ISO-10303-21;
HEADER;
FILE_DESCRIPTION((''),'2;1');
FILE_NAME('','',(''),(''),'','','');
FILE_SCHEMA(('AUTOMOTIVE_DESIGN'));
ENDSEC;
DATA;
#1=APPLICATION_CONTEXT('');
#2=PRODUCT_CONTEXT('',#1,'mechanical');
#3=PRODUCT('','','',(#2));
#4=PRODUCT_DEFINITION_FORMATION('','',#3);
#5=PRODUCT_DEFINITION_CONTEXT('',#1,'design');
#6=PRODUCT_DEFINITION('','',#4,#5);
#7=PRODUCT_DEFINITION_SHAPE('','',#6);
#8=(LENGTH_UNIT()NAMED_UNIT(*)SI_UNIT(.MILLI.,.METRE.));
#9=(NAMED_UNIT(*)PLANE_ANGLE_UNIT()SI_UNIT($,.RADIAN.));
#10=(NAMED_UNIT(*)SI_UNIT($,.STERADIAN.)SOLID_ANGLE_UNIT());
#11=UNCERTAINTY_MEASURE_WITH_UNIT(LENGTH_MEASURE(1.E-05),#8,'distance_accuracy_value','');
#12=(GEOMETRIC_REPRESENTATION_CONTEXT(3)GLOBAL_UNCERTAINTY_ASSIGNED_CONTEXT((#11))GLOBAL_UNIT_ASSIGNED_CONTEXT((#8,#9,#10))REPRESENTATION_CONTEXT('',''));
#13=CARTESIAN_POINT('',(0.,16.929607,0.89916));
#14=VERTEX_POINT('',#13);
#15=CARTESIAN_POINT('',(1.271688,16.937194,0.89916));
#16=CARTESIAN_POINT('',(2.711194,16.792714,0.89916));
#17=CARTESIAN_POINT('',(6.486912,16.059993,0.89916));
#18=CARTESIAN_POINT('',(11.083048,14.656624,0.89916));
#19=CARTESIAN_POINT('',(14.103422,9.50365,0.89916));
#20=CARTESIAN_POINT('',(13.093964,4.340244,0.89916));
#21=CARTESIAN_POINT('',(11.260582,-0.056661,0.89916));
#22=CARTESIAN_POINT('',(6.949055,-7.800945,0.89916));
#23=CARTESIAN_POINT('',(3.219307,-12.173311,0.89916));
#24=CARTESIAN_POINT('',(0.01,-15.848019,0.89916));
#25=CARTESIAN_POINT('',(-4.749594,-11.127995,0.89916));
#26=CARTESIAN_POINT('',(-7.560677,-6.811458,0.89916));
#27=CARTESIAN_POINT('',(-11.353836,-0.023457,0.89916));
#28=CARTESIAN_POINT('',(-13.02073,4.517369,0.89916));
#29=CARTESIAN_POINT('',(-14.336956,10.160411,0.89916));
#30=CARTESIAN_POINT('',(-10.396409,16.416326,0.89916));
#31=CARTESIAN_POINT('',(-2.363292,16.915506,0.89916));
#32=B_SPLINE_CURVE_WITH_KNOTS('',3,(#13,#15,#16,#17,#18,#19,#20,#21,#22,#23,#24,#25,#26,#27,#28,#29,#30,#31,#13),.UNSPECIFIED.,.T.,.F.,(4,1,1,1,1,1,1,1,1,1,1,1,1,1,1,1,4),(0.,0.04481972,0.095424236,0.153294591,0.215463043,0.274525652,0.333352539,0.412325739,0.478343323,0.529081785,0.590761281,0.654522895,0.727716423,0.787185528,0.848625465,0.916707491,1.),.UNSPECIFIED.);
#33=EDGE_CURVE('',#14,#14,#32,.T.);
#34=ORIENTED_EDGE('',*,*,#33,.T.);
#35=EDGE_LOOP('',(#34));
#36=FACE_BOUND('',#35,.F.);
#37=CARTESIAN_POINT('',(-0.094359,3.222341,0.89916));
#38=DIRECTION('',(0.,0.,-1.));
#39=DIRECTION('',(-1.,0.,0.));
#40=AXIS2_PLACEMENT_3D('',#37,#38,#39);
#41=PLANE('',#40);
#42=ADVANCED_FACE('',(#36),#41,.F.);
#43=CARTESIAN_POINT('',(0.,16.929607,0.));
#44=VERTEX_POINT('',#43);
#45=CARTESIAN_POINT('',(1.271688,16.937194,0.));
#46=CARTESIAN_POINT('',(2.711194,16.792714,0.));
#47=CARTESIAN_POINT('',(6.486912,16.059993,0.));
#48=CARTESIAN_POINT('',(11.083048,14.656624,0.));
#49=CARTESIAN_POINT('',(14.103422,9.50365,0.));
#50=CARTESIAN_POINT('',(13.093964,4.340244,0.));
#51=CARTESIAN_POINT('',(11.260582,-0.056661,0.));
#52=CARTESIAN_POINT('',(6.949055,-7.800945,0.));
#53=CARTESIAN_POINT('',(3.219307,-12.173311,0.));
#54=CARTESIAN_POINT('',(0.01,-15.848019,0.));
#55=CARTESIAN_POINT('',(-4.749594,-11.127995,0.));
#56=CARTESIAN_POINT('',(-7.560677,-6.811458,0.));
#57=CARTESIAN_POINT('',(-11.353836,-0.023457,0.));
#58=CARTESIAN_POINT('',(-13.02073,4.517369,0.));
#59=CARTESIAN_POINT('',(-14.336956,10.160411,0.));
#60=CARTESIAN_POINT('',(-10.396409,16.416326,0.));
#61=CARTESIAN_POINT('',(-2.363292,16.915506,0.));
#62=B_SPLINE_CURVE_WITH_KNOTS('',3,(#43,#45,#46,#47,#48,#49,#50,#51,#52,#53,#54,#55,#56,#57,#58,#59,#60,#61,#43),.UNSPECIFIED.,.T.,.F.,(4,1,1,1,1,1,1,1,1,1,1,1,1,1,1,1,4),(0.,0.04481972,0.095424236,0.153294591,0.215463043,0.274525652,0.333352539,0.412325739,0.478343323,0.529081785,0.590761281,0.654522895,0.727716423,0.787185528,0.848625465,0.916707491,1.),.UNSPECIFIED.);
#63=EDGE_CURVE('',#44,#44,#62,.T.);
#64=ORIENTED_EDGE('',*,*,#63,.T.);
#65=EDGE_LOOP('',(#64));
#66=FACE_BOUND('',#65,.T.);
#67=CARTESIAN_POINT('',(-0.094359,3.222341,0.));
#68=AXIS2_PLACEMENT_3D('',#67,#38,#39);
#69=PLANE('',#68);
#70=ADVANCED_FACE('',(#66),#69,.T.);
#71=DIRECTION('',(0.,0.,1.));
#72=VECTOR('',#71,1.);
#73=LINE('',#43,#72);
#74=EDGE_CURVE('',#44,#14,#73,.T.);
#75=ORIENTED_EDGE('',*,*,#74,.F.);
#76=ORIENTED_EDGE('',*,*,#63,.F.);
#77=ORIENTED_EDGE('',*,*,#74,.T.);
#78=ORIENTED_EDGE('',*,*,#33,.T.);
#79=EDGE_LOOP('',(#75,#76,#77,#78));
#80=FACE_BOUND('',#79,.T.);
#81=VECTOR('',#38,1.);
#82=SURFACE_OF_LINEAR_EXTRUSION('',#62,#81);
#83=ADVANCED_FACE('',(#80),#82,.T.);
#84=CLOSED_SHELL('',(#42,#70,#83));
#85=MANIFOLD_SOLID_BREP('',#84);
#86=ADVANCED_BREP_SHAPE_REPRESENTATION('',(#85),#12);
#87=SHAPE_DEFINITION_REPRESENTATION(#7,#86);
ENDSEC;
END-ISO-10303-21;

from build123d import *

# Parameters (mm, degrees)
F1_DEPTH = 0.89916


with BuildPart() as f1:
    # F0 (on Top) → F1 (new body)
    with BuildSketch(Plane.XY):
        with BuildLine():
            add(Edge.make_bspline(
                [(0, 16.9296066064), (1.271687985, 16.9371941932), (2.7111940936, 16.7927143865), (6.48691208, 16.059993076), (11.0830476321, 14.6566236008), (14.1034218231, 9.503650008), (13.0939639707, 4.3402439484), (11.260581544, -0.0566610655), (6.9490547273, -7.800945281), (3.2193069478, -12.1733113904), (0.0100004122, -15.8480192314), (-4.7495942244, -11.127995154), (-7.5606774836, -6.8114575581), (-11.3538361202, -0.0234565028), (-13.0207295304, 4.517369364), (-14.3369562695, 10.1604107283), (-10.3964087166, 16.4163258601), (-2.3632919155, 16.9155059128), (0, 16.9296066064)],
                knots=[0, 0, 0, 0, 0.0448197202, 0.0954242363, 0.1532945907, 0.215463043, 0.2745256518, 0.3333525395, 0.4123257389, 0.4783433231, 0.5290817852, 0.590761281, 0.6545228952, 0.7277164233, 0.7871855283, 0.8486254649, 0.9167074914, 1, 1, 1, 1], degree=3))
        make_face()
    extrude(amount=F1_DEPTH)


solid = f1.part
